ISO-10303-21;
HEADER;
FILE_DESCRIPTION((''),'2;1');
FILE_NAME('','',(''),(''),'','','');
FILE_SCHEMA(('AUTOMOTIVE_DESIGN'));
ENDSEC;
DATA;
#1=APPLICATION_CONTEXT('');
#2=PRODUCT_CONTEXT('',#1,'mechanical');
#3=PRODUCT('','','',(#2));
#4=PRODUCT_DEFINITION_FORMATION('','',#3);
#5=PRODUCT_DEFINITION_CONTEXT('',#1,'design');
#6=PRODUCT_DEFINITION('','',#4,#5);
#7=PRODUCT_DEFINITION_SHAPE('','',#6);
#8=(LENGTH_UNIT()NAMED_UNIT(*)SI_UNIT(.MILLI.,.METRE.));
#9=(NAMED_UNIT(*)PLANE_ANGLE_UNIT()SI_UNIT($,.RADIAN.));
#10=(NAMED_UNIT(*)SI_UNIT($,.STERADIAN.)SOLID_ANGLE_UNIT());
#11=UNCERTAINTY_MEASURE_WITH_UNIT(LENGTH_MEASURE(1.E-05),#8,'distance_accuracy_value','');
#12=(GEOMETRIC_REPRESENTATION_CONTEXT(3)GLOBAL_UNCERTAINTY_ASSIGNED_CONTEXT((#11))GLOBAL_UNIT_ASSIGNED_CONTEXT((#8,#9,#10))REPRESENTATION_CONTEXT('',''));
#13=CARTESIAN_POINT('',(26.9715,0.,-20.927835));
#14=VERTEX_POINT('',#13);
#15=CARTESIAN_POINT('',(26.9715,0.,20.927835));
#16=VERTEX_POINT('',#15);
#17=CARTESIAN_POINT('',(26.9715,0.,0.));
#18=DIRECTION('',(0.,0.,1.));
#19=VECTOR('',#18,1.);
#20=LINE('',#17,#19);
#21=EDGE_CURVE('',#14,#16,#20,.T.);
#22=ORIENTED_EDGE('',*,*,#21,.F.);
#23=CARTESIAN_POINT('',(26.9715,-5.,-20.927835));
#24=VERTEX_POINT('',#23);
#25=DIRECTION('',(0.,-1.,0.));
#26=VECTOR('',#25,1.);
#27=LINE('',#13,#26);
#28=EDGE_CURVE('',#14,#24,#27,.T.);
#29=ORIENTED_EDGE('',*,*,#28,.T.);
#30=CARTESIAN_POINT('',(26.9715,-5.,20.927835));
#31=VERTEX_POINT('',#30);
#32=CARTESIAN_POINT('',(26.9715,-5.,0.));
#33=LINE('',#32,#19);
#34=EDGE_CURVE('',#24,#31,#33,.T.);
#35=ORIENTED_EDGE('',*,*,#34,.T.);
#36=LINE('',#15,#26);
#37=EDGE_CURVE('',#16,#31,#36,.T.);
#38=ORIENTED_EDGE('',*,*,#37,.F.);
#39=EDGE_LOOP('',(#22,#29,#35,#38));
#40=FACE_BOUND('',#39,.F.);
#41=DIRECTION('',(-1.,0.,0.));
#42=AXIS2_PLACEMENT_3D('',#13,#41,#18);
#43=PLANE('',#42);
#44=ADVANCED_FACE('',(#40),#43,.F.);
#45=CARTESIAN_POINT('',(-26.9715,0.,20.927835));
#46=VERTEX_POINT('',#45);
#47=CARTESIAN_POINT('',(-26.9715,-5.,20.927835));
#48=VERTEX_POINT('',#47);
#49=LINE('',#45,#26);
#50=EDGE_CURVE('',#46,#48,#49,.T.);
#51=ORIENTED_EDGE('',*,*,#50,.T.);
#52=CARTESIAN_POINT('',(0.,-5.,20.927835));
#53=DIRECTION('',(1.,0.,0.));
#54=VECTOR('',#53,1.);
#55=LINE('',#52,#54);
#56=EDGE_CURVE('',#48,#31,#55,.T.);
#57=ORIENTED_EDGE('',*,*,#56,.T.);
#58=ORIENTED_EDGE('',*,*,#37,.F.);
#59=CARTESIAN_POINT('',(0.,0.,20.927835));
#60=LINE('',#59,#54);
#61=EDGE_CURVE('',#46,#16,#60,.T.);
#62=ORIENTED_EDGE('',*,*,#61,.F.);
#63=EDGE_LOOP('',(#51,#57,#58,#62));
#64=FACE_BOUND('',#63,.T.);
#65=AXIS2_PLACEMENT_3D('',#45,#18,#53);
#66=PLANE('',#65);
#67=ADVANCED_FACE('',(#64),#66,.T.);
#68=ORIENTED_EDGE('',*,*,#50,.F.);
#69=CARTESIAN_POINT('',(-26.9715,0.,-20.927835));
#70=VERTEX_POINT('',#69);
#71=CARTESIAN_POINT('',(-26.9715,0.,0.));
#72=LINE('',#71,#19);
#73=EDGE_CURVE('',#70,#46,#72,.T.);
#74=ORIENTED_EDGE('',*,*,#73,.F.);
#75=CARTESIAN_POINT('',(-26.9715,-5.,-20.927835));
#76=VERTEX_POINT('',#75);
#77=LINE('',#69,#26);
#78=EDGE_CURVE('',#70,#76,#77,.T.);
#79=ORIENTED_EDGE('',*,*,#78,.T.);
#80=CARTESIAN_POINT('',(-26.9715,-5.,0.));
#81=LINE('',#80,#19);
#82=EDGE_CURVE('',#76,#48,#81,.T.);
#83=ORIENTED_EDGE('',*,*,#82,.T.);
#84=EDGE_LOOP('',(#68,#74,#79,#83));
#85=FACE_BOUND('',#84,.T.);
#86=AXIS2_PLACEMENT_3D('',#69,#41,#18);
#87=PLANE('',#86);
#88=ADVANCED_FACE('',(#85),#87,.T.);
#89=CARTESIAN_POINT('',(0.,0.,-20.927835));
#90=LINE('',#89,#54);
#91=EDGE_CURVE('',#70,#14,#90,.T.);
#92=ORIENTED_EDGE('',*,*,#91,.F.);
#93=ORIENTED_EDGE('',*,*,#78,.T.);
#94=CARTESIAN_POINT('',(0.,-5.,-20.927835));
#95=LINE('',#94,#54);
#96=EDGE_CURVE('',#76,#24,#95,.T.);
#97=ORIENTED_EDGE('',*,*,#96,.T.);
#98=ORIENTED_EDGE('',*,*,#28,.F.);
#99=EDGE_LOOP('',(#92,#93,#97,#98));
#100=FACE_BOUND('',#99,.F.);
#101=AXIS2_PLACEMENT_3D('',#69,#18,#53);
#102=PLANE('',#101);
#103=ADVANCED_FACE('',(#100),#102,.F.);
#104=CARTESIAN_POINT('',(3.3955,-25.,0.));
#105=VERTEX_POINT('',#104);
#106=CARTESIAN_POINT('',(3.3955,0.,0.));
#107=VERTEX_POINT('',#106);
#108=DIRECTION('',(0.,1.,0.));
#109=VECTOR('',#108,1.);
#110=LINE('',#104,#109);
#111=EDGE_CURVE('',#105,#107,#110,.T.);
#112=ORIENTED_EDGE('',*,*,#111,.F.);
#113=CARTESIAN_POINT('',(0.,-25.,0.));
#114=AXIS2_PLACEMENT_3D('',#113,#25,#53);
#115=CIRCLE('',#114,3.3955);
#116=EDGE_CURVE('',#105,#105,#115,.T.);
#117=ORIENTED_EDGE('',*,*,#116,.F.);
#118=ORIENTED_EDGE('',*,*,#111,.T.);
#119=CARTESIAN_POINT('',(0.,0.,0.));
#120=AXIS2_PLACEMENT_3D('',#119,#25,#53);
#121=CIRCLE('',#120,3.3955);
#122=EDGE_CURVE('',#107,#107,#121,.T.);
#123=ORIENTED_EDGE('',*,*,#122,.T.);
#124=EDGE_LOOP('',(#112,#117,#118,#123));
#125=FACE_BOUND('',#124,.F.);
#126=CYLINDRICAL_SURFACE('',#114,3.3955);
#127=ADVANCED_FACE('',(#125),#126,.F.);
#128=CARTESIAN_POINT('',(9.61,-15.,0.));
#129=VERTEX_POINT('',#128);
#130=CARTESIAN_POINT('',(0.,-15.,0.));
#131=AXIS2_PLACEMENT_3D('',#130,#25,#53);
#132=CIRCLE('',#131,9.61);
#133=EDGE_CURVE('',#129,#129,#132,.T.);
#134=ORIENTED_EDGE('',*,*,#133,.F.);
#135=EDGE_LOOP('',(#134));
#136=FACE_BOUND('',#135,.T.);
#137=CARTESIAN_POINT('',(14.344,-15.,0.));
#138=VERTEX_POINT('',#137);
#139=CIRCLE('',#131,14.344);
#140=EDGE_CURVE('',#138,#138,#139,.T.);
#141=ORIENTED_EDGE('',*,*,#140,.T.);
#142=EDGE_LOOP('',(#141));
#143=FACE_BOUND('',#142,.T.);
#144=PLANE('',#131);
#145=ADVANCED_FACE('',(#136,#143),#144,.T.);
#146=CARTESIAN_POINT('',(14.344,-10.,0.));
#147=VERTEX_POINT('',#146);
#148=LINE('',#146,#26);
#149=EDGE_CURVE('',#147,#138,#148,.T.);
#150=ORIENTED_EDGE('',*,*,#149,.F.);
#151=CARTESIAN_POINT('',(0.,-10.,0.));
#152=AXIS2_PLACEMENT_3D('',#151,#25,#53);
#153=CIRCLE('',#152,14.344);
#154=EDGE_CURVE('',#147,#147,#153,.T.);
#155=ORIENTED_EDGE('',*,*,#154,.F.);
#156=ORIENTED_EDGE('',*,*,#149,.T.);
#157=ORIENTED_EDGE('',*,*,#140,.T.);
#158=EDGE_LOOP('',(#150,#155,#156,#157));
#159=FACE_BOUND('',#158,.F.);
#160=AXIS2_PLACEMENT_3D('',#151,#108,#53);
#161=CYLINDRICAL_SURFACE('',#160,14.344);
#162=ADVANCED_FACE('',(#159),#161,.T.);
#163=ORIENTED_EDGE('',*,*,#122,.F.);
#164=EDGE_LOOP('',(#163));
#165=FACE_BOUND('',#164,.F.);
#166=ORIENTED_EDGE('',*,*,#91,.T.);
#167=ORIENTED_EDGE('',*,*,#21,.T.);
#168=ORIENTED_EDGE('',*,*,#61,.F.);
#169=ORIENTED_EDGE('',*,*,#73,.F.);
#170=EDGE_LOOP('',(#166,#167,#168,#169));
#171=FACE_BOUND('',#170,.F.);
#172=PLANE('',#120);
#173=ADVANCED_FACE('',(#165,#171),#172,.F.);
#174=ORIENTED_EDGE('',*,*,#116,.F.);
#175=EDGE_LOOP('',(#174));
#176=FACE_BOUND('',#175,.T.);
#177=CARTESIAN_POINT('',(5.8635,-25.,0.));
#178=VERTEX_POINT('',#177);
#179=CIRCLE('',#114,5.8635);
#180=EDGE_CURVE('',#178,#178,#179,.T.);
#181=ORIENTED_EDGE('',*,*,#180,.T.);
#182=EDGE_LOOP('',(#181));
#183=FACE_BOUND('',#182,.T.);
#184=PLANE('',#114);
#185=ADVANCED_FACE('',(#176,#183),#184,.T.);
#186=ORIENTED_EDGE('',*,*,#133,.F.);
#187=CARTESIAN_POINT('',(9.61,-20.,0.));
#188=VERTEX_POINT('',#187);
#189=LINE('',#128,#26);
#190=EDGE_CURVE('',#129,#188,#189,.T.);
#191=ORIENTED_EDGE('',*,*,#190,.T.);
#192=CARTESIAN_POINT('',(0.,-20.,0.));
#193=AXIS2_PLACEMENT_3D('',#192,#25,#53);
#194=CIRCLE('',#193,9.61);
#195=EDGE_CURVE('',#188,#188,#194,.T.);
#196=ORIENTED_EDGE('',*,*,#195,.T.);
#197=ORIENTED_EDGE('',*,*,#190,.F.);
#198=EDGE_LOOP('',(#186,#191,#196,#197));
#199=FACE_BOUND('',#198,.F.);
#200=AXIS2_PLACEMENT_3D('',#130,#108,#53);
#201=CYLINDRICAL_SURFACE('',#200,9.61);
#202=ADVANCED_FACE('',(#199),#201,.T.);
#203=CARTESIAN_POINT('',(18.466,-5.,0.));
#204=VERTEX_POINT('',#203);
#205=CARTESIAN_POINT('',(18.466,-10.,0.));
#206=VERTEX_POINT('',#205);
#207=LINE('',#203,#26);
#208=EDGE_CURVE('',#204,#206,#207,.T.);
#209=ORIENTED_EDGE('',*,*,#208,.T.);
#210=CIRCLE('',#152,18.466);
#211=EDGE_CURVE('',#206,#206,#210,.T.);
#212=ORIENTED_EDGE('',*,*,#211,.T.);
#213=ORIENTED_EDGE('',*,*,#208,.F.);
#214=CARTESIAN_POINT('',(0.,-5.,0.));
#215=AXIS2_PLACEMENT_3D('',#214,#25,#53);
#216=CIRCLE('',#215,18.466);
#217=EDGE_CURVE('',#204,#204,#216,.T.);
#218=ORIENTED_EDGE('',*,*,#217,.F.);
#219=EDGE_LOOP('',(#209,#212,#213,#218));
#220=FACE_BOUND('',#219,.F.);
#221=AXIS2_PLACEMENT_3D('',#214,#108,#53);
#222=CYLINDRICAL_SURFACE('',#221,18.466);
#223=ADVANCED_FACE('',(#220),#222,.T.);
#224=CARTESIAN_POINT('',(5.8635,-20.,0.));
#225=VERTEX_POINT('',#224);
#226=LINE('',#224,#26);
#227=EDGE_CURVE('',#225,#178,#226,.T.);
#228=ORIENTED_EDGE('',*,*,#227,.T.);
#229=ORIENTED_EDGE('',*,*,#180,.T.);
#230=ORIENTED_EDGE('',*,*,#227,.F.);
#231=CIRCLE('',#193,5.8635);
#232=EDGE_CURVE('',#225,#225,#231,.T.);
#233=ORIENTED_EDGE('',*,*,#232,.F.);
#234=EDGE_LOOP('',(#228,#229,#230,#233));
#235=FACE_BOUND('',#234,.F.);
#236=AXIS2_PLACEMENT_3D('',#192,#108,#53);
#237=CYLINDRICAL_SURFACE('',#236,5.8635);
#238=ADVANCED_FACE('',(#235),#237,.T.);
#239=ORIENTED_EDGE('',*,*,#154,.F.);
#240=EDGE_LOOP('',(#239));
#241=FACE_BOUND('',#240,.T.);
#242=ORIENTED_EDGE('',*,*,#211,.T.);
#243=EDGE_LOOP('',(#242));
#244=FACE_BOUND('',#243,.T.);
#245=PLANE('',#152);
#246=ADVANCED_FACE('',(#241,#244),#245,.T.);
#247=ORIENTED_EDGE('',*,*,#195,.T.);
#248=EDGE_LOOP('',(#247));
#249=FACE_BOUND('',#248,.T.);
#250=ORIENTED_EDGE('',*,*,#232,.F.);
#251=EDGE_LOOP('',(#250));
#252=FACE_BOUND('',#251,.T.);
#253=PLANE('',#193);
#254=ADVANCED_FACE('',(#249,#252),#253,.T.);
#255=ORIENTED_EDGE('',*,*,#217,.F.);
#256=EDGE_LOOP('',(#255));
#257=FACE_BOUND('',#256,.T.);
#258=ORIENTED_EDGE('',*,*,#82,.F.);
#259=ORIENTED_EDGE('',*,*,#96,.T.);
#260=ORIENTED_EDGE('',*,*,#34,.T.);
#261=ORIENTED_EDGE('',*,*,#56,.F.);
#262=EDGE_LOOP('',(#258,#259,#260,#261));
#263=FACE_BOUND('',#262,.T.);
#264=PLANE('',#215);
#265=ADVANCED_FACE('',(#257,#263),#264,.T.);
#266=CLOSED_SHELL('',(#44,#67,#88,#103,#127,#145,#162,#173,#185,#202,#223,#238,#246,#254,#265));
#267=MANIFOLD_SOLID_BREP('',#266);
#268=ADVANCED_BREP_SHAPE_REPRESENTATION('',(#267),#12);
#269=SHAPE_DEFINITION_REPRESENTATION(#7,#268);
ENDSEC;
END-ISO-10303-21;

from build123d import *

# Parameters (mm, degrees)
F0_W      = 53.943
F0_H      = 41.85567
F1_DEPTH  = 5
F2_R      = 18.466
F3_DEPTH  = 5
F4_R      = 14.344
F5_DEPTH  = 5
F6_R      = 9.61
F7_DEPTH  = 5
F8_R      = 5.8635
F9_DEPTH  = 5
F10_R     = 3.3955
F11_DEPTH = 25.001


with BuildPart() as f1:
    # F0 (on Front) → F1 (new body)
    with BuildSketch(Plane.XZ):
        Rectangle(F0_W, F0_H)
    extrude(amount=F1_DEPTH)

    # F2 (on face) → F3 (join)
    with BuildSketch(Plane.XZ.offset(5)):
        Circle(F2_R)
    extrude(amount=F3_DEPTH)

    # F4 (on face) → F5 (join)
    with BuildSketch(Plane.XZ.offset(10)):
        Circle(F4_R)
    extrude(amount=F5_DEPTH)

    # F6 (on face) → F7 (join)
    with BuildSketch(Plane.XZ.offset(15)):
        Circle(F6_R)
    extrude(amount=F7_DEPTH)

    # F8 (on face) → F9 (join)
    with BuildSketch(Plane.XZ.offset(20)):
        Circle(F8_R)
    extrude(amount=F9_DEPTH)

    # F10 (on face) → F11 (cut, through all)
    with BuildSketch(Plane.XZ.offset(25)):
        Circle(F10_R)
    extrude(amount=-F11_DEPTH, mode=Mode.SUBTRACT)


solid = f1.part
